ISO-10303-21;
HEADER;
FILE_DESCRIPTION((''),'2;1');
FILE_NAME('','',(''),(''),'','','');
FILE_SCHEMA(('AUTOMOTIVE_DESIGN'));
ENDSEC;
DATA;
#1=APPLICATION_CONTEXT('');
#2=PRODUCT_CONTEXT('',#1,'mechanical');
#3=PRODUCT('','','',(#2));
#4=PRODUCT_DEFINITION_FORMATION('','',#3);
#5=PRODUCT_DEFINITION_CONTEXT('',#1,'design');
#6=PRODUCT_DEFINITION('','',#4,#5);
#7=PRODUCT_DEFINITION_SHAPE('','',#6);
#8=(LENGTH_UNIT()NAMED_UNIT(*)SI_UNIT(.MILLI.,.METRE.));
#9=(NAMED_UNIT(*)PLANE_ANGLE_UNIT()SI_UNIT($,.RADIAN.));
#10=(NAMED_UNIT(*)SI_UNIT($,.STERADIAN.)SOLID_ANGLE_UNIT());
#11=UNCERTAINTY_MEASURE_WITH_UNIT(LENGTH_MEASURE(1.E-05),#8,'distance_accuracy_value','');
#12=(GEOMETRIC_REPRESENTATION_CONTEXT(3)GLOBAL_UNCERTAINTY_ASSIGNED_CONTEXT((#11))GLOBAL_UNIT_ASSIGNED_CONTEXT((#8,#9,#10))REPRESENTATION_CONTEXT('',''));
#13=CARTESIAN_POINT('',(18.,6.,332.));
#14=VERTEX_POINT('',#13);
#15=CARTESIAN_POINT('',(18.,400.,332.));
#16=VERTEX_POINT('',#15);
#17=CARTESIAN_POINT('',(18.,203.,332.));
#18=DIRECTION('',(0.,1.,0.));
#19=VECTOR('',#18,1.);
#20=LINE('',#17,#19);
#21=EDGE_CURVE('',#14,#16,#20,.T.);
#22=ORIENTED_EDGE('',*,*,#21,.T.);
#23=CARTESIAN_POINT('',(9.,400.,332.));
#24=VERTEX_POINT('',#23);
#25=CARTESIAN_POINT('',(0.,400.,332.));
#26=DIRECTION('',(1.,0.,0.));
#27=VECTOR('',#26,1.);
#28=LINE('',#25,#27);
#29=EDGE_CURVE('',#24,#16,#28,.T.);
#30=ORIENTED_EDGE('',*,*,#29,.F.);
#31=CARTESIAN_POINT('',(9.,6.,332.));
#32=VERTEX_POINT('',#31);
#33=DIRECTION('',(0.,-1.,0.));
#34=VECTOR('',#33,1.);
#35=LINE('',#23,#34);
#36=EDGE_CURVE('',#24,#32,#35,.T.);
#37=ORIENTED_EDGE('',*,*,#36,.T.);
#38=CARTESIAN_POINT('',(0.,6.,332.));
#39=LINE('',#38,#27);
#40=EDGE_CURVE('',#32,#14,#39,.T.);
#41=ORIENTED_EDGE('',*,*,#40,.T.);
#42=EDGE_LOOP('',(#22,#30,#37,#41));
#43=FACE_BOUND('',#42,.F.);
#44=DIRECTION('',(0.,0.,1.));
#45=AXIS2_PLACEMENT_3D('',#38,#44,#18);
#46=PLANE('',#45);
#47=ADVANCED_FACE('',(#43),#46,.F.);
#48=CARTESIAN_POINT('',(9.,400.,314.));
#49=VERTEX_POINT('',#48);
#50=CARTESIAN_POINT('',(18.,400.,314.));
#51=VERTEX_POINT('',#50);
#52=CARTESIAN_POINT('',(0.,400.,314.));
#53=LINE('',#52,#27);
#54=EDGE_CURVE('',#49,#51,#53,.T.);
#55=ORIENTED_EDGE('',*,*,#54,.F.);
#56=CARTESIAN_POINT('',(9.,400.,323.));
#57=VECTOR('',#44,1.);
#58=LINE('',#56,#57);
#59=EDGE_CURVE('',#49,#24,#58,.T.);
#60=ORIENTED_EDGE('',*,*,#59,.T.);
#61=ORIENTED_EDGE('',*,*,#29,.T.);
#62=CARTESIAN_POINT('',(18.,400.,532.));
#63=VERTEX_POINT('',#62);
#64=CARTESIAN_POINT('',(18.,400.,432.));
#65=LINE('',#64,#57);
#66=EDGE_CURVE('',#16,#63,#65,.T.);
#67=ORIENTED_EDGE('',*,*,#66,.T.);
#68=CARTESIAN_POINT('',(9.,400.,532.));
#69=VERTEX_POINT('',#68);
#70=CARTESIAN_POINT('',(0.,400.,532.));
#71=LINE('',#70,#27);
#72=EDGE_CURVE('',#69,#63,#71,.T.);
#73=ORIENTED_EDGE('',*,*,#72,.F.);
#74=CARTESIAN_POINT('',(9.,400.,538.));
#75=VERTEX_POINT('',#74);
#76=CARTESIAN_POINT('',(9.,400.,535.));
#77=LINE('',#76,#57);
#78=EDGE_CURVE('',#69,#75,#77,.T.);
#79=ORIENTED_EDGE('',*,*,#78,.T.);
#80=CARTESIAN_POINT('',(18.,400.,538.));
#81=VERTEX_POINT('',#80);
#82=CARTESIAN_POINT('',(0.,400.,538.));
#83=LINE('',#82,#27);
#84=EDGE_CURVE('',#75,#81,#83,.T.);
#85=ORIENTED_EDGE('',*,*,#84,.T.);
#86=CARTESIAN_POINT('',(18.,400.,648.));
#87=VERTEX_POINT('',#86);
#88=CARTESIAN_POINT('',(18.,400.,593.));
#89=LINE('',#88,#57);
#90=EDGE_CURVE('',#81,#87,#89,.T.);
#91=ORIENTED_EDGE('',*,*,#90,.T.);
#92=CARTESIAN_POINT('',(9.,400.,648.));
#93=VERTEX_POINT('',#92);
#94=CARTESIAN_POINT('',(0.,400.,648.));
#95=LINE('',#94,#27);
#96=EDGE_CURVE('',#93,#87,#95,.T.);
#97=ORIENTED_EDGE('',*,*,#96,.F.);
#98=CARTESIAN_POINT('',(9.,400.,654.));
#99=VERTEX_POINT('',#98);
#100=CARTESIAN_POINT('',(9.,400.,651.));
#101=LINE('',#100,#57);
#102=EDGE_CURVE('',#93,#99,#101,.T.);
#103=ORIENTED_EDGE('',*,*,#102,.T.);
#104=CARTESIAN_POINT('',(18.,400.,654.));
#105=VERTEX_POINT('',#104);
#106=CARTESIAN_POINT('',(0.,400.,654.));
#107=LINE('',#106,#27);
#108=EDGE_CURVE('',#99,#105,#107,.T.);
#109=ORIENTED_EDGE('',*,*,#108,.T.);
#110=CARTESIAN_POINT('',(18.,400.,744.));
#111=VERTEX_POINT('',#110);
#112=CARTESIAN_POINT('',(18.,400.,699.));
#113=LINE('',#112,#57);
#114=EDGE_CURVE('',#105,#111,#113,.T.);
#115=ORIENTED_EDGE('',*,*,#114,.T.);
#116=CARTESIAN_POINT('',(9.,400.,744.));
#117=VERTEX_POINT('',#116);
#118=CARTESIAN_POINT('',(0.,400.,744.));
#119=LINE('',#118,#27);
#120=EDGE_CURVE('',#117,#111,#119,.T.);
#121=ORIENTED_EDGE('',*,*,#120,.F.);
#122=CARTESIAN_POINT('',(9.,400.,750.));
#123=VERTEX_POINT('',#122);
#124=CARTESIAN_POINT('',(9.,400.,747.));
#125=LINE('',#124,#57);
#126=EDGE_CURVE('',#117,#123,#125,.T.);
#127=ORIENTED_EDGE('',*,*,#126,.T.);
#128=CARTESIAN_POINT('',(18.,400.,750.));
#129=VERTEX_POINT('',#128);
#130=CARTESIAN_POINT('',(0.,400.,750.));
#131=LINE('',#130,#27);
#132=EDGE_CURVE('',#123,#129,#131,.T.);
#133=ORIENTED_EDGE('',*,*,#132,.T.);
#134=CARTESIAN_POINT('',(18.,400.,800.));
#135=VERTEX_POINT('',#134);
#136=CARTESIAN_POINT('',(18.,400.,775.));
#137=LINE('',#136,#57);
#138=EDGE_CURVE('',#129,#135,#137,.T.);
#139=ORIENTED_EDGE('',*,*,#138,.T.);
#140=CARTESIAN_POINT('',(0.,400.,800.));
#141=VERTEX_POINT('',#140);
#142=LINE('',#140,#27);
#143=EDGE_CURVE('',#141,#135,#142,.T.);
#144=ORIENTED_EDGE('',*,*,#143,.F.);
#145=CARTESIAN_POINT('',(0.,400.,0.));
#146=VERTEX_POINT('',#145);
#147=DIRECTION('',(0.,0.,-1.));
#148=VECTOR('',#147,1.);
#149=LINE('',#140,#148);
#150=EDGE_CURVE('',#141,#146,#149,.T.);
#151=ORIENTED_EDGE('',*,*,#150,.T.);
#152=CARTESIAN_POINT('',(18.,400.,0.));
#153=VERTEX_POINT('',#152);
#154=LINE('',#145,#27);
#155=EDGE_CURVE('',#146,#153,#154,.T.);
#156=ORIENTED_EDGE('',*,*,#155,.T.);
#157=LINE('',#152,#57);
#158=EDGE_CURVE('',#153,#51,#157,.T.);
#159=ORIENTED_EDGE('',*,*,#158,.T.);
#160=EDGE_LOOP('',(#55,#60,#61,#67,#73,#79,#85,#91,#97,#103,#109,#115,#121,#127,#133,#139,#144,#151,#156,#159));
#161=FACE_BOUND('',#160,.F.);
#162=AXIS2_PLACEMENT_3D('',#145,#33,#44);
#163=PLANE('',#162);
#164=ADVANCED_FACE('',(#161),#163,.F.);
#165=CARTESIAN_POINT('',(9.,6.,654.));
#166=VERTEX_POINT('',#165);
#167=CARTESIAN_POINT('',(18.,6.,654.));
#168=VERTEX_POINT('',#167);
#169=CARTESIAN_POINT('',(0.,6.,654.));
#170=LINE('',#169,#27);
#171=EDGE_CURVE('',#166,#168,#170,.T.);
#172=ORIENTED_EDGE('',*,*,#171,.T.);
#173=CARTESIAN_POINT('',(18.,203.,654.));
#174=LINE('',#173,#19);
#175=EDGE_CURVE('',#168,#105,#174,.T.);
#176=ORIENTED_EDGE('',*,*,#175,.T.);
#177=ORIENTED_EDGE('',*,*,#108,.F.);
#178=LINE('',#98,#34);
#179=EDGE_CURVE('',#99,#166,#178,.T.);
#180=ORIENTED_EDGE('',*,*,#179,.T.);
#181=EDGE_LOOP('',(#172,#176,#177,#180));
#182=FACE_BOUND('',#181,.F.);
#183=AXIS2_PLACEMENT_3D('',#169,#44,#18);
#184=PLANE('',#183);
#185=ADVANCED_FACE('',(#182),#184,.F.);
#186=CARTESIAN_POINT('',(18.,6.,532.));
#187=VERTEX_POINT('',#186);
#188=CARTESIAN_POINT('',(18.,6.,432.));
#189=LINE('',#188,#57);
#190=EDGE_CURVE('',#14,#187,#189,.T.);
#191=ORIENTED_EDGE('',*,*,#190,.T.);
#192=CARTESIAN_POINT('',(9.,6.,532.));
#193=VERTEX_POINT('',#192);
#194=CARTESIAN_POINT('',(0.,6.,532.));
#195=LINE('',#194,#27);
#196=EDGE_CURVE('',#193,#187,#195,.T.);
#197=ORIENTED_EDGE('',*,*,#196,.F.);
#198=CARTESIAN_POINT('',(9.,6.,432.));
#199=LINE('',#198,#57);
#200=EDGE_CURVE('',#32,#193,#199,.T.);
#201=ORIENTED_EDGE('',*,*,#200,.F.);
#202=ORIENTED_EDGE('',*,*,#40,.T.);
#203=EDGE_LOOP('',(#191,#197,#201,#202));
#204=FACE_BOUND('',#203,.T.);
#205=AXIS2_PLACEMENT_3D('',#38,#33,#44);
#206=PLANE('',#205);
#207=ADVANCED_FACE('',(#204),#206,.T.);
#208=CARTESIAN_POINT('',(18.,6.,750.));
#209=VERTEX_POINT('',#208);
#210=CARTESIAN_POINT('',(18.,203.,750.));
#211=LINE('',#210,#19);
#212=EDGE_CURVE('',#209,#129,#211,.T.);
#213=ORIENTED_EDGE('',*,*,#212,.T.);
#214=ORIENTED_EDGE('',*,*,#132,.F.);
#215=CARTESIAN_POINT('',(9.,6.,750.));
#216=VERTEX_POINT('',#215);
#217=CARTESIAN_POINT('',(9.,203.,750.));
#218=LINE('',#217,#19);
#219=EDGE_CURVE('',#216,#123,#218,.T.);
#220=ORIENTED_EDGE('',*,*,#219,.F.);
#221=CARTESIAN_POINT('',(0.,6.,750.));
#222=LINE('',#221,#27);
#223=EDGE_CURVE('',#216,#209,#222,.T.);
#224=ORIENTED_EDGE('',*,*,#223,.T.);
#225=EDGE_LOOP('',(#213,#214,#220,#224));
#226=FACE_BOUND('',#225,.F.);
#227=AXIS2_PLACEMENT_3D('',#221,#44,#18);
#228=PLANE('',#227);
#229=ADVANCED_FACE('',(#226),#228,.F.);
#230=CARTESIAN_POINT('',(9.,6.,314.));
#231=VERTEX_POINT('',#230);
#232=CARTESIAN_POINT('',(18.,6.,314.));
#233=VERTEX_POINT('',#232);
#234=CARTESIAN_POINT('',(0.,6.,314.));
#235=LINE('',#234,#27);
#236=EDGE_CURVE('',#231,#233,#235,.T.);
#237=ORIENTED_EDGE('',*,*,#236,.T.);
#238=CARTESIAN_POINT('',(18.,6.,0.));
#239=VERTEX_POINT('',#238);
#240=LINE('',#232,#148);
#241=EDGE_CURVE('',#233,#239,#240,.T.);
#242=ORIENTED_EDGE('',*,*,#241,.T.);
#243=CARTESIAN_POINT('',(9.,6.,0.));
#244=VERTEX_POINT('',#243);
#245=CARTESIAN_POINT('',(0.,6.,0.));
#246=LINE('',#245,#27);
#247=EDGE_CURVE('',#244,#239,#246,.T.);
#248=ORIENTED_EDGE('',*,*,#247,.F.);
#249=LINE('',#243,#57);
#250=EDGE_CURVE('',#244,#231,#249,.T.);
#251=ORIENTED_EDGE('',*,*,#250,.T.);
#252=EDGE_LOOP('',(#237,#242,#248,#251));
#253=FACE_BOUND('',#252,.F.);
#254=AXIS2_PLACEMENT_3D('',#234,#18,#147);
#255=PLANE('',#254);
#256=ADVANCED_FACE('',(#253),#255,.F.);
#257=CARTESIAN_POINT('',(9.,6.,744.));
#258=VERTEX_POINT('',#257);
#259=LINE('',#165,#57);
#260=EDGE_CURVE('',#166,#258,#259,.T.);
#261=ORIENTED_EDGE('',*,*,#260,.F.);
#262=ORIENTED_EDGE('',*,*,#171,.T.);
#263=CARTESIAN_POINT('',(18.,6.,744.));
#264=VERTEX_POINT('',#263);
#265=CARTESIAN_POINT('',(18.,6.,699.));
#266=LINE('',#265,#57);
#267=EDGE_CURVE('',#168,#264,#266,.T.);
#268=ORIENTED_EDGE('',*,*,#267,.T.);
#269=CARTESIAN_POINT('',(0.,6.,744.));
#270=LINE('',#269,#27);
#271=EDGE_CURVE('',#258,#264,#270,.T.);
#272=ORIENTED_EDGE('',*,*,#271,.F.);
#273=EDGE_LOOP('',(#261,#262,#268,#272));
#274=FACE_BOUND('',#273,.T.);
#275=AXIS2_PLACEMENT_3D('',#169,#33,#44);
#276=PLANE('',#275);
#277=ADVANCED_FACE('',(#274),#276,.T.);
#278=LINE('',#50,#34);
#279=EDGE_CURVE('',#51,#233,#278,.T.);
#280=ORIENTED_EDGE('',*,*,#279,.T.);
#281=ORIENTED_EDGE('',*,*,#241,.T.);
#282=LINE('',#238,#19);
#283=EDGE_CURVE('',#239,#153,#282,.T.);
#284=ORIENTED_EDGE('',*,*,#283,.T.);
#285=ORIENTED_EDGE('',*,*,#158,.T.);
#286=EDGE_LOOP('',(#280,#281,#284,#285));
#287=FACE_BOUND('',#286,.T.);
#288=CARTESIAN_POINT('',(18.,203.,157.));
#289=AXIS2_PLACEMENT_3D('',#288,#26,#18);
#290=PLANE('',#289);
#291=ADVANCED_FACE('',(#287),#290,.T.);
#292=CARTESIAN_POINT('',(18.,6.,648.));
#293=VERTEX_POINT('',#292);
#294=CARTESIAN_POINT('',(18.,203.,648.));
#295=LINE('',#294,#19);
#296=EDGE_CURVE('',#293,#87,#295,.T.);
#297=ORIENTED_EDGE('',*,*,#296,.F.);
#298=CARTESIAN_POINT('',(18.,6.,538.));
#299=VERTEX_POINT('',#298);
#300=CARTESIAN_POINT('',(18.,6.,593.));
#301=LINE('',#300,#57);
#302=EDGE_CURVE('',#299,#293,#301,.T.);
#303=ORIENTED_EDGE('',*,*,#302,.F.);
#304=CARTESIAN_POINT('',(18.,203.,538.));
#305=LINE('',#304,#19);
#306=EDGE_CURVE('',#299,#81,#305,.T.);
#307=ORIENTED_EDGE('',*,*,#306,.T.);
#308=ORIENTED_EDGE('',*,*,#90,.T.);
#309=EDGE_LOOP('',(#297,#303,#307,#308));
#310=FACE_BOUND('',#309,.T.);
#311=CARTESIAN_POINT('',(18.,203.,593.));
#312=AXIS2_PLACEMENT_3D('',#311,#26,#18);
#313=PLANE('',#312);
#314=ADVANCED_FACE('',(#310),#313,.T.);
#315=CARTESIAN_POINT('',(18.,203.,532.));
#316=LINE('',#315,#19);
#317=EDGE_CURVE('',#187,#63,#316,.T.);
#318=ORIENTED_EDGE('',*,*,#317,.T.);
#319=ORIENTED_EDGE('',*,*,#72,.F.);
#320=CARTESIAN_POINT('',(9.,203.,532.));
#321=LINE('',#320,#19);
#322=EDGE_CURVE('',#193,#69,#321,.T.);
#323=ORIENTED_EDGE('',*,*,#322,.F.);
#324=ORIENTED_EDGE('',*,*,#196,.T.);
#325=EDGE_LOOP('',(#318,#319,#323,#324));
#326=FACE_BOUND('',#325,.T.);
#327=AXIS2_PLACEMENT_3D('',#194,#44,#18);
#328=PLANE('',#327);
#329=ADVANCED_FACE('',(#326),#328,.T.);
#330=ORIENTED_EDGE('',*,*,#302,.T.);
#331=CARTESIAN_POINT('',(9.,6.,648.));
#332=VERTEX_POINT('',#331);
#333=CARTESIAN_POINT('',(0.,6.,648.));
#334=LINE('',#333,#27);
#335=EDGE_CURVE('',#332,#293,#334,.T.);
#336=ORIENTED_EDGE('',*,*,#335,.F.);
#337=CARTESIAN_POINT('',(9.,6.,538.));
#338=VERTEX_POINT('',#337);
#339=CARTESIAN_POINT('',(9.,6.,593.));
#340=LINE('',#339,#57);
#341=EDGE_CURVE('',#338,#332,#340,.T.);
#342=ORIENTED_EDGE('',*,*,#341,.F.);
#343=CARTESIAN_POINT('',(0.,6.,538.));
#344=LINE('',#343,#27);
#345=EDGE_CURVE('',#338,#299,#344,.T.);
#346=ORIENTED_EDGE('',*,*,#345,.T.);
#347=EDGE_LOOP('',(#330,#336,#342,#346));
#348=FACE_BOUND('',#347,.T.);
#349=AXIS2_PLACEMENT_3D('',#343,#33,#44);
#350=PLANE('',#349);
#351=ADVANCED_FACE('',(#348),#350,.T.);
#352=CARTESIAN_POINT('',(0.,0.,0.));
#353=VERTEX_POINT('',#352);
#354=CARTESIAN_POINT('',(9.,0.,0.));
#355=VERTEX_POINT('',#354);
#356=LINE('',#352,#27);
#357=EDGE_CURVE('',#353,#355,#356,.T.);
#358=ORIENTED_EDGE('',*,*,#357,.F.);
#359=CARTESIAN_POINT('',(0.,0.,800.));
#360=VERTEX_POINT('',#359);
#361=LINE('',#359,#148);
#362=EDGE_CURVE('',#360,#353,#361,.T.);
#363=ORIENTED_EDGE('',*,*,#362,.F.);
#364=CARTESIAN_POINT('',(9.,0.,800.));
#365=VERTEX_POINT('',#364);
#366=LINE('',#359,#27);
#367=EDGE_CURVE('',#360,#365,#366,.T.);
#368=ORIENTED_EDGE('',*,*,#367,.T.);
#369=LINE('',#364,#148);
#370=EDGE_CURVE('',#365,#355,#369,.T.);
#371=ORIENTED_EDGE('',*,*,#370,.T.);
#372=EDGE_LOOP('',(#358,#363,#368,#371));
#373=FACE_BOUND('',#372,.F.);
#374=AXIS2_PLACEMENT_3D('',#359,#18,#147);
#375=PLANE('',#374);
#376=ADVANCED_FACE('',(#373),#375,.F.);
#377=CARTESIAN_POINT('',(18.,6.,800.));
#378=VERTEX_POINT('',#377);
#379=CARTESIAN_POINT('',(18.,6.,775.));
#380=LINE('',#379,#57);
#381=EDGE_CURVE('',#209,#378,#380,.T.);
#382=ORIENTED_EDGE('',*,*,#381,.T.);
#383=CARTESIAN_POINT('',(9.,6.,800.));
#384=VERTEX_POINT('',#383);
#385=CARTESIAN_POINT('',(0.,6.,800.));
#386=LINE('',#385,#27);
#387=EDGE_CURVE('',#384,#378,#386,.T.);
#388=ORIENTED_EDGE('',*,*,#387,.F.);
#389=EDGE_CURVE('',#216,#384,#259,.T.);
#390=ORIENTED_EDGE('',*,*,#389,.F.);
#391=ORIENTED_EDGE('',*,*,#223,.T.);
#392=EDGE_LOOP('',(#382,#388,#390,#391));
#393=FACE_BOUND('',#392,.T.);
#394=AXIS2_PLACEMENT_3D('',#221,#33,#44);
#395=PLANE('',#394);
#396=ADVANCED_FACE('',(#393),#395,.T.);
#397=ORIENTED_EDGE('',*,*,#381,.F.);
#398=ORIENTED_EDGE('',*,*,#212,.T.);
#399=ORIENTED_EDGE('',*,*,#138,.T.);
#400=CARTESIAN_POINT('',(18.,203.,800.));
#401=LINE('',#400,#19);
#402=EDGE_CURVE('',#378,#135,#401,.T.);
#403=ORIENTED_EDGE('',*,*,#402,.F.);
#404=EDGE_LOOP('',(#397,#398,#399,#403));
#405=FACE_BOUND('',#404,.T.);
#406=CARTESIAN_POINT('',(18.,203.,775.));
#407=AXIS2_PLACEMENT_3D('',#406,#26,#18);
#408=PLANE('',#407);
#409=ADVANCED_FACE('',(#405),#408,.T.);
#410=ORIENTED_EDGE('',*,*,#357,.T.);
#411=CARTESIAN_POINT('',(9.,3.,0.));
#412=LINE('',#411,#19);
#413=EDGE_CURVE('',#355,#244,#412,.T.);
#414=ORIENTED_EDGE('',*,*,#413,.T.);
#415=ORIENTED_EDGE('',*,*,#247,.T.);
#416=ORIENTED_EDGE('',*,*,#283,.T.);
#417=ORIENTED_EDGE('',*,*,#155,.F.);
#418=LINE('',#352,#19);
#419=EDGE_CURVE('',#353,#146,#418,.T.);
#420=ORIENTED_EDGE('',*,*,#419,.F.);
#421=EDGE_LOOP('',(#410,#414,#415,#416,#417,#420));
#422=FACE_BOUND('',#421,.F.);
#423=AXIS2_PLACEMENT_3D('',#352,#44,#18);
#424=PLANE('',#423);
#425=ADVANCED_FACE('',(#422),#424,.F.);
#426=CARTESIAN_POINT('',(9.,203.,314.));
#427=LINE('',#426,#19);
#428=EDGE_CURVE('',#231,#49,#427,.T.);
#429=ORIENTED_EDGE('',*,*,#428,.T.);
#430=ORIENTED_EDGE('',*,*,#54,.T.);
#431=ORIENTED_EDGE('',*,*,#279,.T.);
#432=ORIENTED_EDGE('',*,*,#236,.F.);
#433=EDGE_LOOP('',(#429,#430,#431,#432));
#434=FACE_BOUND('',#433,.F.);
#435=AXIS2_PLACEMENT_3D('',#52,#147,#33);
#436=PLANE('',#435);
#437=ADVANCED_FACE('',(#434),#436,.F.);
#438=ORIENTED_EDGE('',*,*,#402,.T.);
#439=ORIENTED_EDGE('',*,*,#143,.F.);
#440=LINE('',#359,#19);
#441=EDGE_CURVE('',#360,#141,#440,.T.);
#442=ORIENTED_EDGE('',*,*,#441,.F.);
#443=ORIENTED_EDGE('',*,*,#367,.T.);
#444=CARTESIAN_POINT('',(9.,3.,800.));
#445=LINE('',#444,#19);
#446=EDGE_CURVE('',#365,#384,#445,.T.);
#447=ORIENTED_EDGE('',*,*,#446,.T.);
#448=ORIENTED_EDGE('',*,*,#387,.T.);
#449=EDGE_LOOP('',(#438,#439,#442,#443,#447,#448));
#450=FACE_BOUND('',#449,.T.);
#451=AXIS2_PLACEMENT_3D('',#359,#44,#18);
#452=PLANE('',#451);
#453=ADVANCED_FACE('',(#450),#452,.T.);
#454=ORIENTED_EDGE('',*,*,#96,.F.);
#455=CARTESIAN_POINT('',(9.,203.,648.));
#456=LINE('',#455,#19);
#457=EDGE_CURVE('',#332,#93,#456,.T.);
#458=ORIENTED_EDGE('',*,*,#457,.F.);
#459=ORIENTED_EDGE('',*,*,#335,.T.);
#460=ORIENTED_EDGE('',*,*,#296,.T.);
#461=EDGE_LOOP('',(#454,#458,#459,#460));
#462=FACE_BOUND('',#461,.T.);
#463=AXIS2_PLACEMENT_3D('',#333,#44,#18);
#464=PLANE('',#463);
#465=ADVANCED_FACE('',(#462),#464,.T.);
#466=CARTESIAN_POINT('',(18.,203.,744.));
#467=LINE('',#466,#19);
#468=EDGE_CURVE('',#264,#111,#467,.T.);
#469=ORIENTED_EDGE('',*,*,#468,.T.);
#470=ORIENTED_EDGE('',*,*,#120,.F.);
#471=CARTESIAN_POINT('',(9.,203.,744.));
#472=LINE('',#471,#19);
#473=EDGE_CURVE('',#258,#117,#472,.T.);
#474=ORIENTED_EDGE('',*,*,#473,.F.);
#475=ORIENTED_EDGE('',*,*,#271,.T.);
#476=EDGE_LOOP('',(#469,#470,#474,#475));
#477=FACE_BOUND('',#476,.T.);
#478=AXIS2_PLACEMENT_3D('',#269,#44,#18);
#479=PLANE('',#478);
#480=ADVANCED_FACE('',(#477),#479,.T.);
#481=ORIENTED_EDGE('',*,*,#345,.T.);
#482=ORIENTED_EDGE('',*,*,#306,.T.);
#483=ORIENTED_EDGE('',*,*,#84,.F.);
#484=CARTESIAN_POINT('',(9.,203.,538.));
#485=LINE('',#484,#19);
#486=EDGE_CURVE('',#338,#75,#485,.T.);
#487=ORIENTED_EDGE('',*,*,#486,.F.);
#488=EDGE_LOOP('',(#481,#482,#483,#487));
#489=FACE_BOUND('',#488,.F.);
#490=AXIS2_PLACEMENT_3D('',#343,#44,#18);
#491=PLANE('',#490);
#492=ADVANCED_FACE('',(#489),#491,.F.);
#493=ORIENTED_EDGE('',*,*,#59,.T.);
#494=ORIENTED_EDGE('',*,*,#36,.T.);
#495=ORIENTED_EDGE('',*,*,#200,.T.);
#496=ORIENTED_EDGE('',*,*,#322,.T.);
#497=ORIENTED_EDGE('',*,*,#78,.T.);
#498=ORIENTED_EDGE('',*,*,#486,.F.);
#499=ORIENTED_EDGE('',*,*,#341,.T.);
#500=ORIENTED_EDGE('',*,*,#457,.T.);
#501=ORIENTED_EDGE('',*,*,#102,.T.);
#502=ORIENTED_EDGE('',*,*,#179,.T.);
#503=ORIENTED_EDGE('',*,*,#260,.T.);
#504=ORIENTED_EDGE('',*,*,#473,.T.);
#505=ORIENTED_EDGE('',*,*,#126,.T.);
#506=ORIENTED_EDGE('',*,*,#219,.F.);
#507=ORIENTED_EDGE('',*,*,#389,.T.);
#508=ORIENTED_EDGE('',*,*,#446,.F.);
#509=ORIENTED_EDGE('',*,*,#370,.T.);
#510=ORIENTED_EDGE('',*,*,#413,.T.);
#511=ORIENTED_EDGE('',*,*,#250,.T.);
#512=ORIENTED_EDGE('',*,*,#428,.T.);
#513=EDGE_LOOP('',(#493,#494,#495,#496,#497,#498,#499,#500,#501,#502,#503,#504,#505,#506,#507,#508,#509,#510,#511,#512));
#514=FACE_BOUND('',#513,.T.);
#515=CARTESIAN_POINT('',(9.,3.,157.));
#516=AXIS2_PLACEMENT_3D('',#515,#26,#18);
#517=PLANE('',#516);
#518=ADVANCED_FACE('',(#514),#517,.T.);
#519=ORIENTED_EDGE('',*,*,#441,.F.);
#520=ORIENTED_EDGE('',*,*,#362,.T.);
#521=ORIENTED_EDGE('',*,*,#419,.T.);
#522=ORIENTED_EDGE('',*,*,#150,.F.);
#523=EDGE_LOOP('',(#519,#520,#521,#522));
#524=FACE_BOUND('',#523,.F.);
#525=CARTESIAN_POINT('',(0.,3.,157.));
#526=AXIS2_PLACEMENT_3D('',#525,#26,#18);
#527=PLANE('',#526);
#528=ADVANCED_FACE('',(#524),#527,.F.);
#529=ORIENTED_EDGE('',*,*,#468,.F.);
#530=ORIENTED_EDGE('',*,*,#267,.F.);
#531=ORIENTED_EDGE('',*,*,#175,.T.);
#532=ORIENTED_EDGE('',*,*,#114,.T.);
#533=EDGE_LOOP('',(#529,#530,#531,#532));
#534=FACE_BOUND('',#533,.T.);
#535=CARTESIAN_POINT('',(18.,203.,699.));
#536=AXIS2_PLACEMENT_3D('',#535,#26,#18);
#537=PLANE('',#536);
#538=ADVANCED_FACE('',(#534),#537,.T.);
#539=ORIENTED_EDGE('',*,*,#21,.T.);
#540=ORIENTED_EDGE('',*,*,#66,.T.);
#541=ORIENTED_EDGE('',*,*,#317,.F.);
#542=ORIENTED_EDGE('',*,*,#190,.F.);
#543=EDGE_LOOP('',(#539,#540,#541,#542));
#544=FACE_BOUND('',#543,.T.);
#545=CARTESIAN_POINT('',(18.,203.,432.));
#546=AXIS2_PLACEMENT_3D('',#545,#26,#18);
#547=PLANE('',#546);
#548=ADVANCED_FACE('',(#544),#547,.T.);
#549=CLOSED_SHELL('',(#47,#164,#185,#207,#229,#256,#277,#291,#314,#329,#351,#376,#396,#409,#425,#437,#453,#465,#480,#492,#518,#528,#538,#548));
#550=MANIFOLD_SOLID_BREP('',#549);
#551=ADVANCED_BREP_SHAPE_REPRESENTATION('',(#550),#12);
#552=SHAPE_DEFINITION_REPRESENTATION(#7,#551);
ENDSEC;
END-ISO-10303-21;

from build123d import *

# Parameters (mm, degrees)
F0_W     = 394
F0_H     = 50
F1_DEPTH = 18
F0_H_2   = 90
F0_H_3   = 110
F0_H_4   = 200
F0_W_2   = 6
F0_H_5   = 314
F0_H_6   = 18
F0_H_7   = 6
F2_DEPTH = 9


with BuildPart() as f1:
    # F0 (on Right) → F1 (new body)
    with BuildSketch(Plane.YZ):
        with Locations((203, 775)):
            Rectangle(F0_W, F0_H)
    extrude(amount=F1_DEPTH)



with BuildPart() as f1b:
    # F0 (on Right) → F1, piece 2 (new body)
    with BuildSketch(Plane.YZ):
        with Locations((203, 699)):
            Rectangle(F0_W, F0_H_2)
    extrude(amount=F1_DEPTH)


with BuildPart() as f1c:
    # F0 (on Right) → F1, piece 3 (new body)
    with BuildSketch(Plane.YZ):
        with Locations((203, 593)):
            Rectangle(F0_W, F0_H_3)
    extrude(amount=F1_DEPTH)


with BuildPart() as f1d:
    # F0 (on Right) → F1, piece 4 (new body)
    with BuildSketch(Plane.YZ):
        with Locations((203, 432)):
            Rectangle(F0_W, F0_H_4)
    extrude(amount=F1_DEPTH)


with BuildPart() as f1e:
    # F0 (on Right) → F1, piece 5 (new body)
    with BuildSketch(Plane.YZ):
        Polygon((6, 314), (6, 0), (394, 0), (400, 0), (400, 314), align=None)
    extrude(amount=F1_DEPTH)


with BuildPart() as f1_1:
    add(f1.part)

    add(f1b.part)  # F2 merges F1b

    add(f1c.part)  # F2 merges F1c

    add(f1d.part)  # F2 merges F1d

    add(f1e.part)  # F2 merges F1e
    # F0 (on Right) → F2 (join)
    with BuildSketch(Plane.YZ):
        with Locations((3, 157)):
            Rectangle(F0_W_2, F0_H_5)
        with Locations((3, 323)):
            Rectangle(F0_W_2, F0_H_6)
        with Locations((203, 323)):
            Rectangle(F0_W, F0_H_6)
        with Locations((3, 432)):
            Rectangle(F0_W_2, F0_H_4)
        with Locations((203, 535)):
            Rectangle(F0_W, F0_H_7)
        with Locations((203, 651)):
            Rectangle(F0_W, F0_H_7)
        with Locations((3, 593)):
            Rectangle(F0_W_2, F0_H_3)
        with Locations((3, 651)):
            Rectangle(F0_W_2, F0_H_7)
        with Locations((3, 775)):
            Rectangle(F0_W_2, F0_H)
        with Locations((3, 747)):
            Rectangle(F0_W_2, F0_H_7)
        with Locations((3, 699)):
            Rectangle(F0_W_2, F0_H_2)
        with Locations((203, 747)):
            Rectangle(F0_W, F0_H_7)
        with Locations((3, 535)):
            Rectangle(F0_W_2, F0_H_7)
    extrude(amount=F2_DEPTH)


solid = f1_1.part
